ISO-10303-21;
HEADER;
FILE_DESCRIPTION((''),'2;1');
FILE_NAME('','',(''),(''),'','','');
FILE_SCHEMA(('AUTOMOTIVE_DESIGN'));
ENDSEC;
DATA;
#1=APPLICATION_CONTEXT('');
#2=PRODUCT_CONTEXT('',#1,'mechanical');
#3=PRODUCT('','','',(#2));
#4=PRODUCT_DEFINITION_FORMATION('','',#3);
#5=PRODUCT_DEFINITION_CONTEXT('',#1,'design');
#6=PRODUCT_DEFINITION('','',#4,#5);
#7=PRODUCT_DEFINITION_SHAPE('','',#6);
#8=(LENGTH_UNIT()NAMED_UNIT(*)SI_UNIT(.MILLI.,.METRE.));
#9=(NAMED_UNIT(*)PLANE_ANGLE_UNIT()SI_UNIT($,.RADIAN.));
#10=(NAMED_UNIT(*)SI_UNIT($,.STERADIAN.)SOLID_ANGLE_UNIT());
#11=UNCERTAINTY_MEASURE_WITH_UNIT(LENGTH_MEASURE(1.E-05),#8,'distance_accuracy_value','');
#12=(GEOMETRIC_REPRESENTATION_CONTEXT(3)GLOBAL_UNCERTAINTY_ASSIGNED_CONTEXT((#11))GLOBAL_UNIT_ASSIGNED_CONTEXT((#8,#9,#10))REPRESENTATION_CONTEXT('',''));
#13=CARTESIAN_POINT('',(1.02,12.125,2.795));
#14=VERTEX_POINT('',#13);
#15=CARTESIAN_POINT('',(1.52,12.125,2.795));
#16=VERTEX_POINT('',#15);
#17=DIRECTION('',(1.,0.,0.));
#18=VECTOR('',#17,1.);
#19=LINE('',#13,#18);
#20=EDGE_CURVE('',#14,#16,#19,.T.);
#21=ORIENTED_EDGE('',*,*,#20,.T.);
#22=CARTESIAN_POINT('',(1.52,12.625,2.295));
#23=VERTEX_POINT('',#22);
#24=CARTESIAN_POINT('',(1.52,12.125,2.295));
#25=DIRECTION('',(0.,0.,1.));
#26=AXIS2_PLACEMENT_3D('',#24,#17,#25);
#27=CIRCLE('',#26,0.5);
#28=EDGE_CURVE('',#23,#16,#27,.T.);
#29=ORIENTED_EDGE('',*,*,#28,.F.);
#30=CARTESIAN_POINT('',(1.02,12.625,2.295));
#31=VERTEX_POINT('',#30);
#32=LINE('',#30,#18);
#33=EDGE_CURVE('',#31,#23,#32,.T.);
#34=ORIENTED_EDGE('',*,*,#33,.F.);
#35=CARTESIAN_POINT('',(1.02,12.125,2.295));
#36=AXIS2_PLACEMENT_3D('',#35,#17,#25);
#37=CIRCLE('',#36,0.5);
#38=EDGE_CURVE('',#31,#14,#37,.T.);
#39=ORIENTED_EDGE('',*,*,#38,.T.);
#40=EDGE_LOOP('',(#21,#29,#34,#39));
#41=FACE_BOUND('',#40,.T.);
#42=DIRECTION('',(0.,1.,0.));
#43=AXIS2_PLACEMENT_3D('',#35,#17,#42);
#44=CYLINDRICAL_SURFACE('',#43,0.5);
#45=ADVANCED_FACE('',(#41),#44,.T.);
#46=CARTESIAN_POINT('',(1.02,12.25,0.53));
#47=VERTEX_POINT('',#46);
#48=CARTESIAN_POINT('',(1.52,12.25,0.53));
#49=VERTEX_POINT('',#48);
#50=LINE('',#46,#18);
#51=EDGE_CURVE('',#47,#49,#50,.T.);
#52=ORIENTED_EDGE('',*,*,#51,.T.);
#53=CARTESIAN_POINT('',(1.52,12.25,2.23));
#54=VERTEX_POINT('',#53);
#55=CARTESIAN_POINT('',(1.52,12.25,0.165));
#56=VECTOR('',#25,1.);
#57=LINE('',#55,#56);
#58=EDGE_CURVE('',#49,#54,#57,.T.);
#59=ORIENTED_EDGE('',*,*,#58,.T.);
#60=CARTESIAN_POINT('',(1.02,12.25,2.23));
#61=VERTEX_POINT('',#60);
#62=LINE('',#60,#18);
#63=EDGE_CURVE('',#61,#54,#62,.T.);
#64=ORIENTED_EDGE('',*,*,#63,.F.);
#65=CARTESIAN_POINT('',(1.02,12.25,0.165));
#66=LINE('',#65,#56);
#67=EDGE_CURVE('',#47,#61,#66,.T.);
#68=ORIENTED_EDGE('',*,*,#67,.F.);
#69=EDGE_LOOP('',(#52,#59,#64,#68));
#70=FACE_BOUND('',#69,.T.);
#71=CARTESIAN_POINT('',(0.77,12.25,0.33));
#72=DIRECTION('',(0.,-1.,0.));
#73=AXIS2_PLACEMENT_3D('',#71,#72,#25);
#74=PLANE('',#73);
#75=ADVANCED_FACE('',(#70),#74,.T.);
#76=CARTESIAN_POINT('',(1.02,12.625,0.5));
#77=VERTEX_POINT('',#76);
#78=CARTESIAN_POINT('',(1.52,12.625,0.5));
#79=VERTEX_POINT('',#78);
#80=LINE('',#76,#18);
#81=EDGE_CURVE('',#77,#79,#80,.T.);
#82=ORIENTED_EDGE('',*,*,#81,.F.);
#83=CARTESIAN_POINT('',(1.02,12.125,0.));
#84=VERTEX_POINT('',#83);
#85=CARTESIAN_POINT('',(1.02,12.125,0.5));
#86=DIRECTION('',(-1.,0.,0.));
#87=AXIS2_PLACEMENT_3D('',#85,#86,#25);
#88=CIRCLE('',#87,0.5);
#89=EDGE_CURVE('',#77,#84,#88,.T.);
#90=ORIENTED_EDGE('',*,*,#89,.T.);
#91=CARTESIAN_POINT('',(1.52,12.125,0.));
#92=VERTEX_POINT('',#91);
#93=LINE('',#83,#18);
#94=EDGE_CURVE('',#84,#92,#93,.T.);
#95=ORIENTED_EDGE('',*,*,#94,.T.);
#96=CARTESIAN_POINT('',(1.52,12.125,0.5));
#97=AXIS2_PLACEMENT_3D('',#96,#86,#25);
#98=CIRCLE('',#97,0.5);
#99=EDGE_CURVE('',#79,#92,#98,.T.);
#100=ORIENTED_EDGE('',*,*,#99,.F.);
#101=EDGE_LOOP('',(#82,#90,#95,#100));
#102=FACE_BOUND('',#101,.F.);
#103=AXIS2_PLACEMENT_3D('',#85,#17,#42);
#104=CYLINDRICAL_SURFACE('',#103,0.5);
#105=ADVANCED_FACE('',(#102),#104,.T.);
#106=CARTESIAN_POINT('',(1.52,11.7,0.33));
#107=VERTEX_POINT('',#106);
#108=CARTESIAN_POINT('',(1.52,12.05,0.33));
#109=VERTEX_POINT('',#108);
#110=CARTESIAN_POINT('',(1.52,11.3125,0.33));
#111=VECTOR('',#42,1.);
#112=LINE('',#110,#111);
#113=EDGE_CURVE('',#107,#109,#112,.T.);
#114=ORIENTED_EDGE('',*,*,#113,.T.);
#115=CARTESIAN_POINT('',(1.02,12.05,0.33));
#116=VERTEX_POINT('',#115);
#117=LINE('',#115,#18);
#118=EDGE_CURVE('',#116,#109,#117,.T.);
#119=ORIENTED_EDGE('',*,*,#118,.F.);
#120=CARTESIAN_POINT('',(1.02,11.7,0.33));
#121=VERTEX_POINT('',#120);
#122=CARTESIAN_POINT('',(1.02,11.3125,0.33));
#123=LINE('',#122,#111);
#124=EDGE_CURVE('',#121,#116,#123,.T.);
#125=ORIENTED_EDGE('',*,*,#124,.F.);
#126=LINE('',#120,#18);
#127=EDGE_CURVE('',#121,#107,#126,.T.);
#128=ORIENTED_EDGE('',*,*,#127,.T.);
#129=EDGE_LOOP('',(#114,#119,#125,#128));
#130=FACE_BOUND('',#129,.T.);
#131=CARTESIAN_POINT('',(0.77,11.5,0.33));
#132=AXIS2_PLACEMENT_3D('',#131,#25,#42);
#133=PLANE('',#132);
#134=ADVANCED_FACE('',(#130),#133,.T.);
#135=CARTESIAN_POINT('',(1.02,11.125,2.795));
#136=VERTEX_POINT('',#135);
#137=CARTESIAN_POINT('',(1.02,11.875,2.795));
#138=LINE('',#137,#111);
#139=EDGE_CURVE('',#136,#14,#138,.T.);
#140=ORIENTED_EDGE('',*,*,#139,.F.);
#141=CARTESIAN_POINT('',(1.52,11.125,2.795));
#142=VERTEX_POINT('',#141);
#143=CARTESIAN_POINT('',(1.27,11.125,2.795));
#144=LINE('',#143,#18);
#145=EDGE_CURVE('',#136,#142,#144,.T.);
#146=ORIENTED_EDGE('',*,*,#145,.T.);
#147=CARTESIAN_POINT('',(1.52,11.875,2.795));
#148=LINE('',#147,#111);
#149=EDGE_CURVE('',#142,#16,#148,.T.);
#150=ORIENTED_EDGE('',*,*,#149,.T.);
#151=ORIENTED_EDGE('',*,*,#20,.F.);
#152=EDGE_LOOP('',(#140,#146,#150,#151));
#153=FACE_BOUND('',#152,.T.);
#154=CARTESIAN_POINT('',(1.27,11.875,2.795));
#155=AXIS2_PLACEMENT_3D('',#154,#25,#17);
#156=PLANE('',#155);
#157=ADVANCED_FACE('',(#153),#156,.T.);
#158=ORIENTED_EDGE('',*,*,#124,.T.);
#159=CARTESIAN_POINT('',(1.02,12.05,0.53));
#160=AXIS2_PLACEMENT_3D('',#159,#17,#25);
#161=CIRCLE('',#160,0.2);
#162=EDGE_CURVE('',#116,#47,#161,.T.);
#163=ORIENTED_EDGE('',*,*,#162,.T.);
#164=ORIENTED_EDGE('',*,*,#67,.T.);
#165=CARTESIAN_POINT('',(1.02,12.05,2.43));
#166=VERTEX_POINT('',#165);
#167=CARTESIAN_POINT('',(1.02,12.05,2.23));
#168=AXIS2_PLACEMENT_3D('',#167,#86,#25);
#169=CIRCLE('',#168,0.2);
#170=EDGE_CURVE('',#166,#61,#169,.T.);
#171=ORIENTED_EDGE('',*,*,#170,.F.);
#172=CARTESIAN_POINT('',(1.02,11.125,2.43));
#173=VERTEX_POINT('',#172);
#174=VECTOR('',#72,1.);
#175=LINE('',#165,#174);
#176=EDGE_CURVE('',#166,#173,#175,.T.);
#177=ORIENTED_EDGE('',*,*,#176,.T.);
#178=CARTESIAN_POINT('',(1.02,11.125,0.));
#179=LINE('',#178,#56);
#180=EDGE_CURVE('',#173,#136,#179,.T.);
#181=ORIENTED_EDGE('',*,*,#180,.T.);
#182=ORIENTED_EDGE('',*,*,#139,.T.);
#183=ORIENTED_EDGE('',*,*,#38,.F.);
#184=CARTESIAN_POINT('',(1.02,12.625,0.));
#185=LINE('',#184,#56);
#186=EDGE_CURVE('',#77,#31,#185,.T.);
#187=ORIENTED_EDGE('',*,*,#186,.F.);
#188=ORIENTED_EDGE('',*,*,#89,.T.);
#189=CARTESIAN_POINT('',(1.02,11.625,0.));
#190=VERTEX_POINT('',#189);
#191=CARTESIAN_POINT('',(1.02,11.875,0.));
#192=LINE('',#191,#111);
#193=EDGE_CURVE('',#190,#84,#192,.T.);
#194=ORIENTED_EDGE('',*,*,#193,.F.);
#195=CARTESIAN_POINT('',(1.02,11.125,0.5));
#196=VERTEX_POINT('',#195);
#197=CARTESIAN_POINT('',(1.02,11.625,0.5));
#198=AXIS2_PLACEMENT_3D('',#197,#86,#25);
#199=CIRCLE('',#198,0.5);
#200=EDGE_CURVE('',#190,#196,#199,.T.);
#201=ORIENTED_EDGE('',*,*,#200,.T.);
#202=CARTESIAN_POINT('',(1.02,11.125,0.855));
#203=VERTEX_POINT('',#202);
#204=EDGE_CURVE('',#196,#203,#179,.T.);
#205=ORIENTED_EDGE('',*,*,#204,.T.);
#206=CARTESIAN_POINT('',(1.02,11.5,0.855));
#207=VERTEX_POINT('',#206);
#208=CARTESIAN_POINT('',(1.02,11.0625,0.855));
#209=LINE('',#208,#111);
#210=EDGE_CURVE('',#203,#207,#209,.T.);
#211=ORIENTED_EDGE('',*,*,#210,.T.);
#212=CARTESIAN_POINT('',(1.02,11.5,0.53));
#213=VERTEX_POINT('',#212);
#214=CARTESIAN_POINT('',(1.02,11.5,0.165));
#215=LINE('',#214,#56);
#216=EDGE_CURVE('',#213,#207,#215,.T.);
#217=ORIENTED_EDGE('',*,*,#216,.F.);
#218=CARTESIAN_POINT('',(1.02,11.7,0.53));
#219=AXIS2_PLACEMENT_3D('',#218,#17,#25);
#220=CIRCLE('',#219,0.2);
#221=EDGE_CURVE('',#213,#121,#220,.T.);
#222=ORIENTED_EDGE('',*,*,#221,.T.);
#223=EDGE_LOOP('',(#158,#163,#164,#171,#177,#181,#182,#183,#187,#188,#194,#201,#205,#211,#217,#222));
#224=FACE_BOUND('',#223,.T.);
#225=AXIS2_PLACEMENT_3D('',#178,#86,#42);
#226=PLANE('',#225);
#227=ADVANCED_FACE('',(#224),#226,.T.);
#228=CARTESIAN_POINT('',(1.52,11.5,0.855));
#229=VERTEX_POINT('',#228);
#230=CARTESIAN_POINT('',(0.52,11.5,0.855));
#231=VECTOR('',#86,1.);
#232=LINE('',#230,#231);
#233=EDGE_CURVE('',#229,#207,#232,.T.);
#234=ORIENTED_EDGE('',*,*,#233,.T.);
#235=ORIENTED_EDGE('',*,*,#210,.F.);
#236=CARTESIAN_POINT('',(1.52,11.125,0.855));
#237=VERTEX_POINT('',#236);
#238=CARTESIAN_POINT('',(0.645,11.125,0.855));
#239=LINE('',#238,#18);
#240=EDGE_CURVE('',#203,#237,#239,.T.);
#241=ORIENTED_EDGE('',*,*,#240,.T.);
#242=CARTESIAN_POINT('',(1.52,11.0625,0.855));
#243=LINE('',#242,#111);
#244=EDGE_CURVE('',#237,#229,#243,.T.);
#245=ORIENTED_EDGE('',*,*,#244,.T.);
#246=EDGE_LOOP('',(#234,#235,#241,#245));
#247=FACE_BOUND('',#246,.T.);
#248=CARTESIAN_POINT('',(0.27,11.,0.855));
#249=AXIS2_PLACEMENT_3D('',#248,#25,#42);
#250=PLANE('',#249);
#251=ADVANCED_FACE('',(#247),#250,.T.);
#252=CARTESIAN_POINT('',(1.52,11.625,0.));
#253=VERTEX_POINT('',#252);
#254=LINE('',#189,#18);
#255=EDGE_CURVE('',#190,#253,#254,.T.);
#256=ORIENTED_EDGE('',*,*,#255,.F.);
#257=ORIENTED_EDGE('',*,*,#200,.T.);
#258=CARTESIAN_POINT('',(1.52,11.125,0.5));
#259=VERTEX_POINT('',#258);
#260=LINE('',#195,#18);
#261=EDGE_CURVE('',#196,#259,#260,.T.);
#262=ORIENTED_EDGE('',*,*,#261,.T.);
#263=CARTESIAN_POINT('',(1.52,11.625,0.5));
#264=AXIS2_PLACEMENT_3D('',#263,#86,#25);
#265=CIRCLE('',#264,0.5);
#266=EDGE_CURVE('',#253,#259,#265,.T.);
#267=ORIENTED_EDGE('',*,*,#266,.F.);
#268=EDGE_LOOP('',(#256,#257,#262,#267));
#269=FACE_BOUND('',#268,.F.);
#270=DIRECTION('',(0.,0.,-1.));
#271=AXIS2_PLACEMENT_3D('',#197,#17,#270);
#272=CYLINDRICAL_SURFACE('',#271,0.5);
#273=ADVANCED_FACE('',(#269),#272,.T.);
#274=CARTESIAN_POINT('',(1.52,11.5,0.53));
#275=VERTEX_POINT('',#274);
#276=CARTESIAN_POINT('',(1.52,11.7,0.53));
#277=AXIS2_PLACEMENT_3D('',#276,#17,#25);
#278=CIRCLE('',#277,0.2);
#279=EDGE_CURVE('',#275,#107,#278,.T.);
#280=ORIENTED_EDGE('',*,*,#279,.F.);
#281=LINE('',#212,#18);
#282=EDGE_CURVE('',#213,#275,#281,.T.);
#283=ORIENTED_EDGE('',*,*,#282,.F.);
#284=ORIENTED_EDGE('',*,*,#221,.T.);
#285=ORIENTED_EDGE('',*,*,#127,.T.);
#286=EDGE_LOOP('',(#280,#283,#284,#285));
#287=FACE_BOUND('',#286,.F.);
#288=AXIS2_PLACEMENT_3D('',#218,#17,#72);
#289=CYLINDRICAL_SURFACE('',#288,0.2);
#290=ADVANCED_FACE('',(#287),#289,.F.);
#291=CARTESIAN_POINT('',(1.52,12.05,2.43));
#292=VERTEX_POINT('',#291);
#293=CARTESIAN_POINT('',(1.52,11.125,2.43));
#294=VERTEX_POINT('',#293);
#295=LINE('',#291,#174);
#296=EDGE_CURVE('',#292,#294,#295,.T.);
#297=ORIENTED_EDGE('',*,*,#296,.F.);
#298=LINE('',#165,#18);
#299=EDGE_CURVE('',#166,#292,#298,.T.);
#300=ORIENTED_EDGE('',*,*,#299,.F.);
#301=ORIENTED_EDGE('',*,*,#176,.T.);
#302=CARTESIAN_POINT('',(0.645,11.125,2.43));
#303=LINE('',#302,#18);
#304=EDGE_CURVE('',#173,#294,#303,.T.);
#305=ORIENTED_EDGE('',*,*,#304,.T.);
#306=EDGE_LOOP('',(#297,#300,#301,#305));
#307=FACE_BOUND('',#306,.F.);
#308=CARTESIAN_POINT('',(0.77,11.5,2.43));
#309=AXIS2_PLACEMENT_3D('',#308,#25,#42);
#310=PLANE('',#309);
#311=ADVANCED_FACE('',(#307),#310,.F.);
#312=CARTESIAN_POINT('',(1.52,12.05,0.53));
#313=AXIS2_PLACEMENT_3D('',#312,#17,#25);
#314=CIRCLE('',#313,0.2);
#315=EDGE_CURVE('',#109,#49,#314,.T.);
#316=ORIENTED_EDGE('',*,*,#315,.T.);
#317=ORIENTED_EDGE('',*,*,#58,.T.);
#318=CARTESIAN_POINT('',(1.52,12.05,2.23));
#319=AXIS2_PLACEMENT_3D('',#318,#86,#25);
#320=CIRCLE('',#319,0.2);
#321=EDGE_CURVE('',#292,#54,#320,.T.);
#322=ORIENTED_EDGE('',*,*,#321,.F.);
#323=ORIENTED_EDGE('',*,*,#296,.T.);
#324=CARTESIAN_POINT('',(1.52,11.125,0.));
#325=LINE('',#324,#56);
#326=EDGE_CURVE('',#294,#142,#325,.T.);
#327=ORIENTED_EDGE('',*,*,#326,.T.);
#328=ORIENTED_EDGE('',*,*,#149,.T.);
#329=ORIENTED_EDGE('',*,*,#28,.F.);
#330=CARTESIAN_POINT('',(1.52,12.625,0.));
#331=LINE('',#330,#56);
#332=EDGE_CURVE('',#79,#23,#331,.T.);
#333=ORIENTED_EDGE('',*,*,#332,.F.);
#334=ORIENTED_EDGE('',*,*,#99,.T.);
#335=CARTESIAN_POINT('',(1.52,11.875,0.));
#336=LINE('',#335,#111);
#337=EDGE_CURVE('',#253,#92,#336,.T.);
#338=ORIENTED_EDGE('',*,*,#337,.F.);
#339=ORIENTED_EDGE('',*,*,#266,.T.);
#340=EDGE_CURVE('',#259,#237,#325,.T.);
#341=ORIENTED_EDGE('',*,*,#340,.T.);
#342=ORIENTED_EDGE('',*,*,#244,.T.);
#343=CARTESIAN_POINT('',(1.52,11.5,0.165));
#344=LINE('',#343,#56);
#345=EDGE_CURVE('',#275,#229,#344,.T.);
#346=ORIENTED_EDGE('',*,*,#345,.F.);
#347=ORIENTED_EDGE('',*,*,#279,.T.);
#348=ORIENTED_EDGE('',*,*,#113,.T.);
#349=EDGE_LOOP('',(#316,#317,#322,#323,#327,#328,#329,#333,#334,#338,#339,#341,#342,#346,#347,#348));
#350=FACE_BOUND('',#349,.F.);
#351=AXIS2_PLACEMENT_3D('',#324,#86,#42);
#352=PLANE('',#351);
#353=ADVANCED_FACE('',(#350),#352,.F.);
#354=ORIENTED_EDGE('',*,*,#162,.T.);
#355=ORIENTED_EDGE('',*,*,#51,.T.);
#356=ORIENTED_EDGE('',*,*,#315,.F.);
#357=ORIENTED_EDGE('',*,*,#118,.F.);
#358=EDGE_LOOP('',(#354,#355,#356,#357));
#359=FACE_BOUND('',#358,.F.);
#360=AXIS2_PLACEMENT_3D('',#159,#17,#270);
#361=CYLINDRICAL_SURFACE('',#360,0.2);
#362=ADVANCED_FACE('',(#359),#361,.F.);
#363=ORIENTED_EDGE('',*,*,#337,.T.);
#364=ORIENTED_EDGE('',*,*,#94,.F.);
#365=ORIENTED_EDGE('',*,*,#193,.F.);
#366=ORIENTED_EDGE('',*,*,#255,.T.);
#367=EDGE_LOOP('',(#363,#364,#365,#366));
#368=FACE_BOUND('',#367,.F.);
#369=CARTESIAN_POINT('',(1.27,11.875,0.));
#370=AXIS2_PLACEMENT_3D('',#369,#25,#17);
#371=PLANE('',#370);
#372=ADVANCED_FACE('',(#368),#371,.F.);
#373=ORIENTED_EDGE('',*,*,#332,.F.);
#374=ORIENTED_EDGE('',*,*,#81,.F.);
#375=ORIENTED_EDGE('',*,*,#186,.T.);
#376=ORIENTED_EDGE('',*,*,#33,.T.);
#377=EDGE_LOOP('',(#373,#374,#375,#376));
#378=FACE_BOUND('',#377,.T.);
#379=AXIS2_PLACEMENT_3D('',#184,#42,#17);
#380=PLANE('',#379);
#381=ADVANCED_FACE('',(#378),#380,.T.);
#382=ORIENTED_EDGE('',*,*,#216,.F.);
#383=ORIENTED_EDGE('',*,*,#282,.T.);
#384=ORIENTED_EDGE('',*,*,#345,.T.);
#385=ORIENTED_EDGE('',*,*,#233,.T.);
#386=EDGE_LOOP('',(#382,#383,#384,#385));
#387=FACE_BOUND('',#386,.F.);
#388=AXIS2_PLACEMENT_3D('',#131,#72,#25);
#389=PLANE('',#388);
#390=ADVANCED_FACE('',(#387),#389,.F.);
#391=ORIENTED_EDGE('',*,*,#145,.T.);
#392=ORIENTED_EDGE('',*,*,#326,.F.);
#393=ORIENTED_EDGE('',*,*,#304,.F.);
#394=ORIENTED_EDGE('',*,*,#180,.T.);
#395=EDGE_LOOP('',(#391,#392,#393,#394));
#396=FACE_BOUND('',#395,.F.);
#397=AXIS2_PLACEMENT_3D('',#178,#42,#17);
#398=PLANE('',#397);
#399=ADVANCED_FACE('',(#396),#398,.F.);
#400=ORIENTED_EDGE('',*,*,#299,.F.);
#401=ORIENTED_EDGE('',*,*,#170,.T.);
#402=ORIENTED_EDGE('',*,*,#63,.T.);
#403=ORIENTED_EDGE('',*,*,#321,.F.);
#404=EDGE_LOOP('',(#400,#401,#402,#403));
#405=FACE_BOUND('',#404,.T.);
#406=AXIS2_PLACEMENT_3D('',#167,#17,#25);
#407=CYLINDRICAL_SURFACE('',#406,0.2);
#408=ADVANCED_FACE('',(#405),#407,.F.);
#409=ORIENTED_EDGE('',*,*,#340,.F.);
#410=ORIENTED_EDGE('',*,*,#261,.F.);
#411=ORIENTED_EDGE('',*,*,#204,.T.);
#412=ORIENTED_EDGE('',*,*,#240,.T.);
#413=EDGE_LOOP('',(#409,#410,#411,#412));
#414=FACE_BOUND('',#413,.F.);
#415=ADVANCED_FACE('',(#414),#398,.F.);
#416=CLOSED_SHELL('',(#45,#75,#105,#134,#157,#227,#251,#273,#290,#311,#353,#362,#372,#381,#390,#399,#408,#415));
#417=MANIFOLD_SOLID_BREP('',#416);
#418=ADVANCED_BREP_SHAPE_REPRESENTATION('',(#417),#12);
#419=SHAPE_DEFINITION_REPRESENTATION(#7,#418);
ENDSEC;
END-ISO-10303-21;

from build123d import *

# Parameters (mm, degrees)
BOX005_W     = 0.5
BOX005_H     = 1.5
BOX005_DEPTH = 2.795
FILLET010_R  = 0.5
FILLET012_R  = 0.5
FILLET009_R  = 0.5
BOX004_W     = 0.75
BOX004_H     = 2.1
BOX004_DEPTH = 1
FILLET011_R  = 0.2
FILLET013_R  = 0.2
FILLET007_R  = 0.2
FILLET008_R  = 0.2
BOX006_W     = 1
BOX006_H     = 1.575
BOX006_DEPTH = 3


with BuildPart() as part:
    # Box005 → Box005 (join)
    with BuildSketch(Plane(origin=(-0.25, 11.125, 0), x_dir=(1, 0, 0), z_dir=(0, 0, 1))):
        with Locations((0.25, 0.75)):
            Rectangle(BOX005_W, BOX005_H)
    extrude(amount=BOX005_DEPTH)

    # Fillet010
    fillet010_edges = [part.edges().sort_by_distance(p)[0] for p in [
        (0, 12.625, 0),
    ]]
    fillet(fillet010_edges, radius=FILLET010_R)

    # Fillet012
    fillet012_edges = [part.edges().sort_by_distance(p)[0] for p in [
        (0, 12.625, 2.795),
    ]]
    fillet(fillet012_edges, radius=FILLET012_R)

    # Fillet009
    fillet009_edges = [part.edges().sort_by_distance(p)[0] for p in [
        (0, 11.125, 0),
    ]]
    fillet(fillet009_edges, radius=FILLET009_R)

    # Box004 → Box004 (cut)
    with BuildSketch(Plane(origin=(-0.5, 11.5, 0.33), x_dir=(0, 1, 0), z_dir=(1, 0, 0))):
        with Locations((0.375, 1.05)):
            Rectangle(BOX004_W, BOX004_H)
    extrude(amount=BOX004_DEPTH, mode=Mode.SUBTRACT)

    # Fillet011
    fillet011_edges = [part.edges().sort_by_distance(p)[0] for p in [
        (0, 11.5, 0.33),
    ]]
    fillet(fillet011_edges, radius=FILLET011_R)

    # Fillet013
    fillet013_edges = [part.edges().sort_by_distance(p)[0] for p in [
        (0, 12.25, 0.33),
    ]]
    fillet(fillet013_edges, radius=FILLET013_R)

    # Fillet007
    fillet007_edges = [part.edges().sort_by_distance(p)[0] for p in [
        (0, 11.5, 2.43),
    ]]
    fillet(fillet007_edges, radius=FILLET007_R)

    # Fillet008
    fillet008_edges = [part.edges().sort_by_distance(p)[0] for p in [
        (0, 12.25, 2.43),
    ]]
    fillet(fillet008_edges, radius=FILLET008_R)

    # Box006 → Box006 (cut)
    with BuildSketch(Plane(origin=(-1, 11, 0.855), x_dir=(0, 1, 0), z_dir=(1, 0, 0))):
        with Locations((0.5, 0.7875)):
            Rectangle(BOX006_W, BOX006_H)
    extrude(amount=BOX006_DEPTH, mode=Mode.SUBTRACT)


with BuildPart() as part_1:
    # Body002 placement: moved
    add(part.part.moved(Location((1.27, 0, 0))))


solid = part_1.part
